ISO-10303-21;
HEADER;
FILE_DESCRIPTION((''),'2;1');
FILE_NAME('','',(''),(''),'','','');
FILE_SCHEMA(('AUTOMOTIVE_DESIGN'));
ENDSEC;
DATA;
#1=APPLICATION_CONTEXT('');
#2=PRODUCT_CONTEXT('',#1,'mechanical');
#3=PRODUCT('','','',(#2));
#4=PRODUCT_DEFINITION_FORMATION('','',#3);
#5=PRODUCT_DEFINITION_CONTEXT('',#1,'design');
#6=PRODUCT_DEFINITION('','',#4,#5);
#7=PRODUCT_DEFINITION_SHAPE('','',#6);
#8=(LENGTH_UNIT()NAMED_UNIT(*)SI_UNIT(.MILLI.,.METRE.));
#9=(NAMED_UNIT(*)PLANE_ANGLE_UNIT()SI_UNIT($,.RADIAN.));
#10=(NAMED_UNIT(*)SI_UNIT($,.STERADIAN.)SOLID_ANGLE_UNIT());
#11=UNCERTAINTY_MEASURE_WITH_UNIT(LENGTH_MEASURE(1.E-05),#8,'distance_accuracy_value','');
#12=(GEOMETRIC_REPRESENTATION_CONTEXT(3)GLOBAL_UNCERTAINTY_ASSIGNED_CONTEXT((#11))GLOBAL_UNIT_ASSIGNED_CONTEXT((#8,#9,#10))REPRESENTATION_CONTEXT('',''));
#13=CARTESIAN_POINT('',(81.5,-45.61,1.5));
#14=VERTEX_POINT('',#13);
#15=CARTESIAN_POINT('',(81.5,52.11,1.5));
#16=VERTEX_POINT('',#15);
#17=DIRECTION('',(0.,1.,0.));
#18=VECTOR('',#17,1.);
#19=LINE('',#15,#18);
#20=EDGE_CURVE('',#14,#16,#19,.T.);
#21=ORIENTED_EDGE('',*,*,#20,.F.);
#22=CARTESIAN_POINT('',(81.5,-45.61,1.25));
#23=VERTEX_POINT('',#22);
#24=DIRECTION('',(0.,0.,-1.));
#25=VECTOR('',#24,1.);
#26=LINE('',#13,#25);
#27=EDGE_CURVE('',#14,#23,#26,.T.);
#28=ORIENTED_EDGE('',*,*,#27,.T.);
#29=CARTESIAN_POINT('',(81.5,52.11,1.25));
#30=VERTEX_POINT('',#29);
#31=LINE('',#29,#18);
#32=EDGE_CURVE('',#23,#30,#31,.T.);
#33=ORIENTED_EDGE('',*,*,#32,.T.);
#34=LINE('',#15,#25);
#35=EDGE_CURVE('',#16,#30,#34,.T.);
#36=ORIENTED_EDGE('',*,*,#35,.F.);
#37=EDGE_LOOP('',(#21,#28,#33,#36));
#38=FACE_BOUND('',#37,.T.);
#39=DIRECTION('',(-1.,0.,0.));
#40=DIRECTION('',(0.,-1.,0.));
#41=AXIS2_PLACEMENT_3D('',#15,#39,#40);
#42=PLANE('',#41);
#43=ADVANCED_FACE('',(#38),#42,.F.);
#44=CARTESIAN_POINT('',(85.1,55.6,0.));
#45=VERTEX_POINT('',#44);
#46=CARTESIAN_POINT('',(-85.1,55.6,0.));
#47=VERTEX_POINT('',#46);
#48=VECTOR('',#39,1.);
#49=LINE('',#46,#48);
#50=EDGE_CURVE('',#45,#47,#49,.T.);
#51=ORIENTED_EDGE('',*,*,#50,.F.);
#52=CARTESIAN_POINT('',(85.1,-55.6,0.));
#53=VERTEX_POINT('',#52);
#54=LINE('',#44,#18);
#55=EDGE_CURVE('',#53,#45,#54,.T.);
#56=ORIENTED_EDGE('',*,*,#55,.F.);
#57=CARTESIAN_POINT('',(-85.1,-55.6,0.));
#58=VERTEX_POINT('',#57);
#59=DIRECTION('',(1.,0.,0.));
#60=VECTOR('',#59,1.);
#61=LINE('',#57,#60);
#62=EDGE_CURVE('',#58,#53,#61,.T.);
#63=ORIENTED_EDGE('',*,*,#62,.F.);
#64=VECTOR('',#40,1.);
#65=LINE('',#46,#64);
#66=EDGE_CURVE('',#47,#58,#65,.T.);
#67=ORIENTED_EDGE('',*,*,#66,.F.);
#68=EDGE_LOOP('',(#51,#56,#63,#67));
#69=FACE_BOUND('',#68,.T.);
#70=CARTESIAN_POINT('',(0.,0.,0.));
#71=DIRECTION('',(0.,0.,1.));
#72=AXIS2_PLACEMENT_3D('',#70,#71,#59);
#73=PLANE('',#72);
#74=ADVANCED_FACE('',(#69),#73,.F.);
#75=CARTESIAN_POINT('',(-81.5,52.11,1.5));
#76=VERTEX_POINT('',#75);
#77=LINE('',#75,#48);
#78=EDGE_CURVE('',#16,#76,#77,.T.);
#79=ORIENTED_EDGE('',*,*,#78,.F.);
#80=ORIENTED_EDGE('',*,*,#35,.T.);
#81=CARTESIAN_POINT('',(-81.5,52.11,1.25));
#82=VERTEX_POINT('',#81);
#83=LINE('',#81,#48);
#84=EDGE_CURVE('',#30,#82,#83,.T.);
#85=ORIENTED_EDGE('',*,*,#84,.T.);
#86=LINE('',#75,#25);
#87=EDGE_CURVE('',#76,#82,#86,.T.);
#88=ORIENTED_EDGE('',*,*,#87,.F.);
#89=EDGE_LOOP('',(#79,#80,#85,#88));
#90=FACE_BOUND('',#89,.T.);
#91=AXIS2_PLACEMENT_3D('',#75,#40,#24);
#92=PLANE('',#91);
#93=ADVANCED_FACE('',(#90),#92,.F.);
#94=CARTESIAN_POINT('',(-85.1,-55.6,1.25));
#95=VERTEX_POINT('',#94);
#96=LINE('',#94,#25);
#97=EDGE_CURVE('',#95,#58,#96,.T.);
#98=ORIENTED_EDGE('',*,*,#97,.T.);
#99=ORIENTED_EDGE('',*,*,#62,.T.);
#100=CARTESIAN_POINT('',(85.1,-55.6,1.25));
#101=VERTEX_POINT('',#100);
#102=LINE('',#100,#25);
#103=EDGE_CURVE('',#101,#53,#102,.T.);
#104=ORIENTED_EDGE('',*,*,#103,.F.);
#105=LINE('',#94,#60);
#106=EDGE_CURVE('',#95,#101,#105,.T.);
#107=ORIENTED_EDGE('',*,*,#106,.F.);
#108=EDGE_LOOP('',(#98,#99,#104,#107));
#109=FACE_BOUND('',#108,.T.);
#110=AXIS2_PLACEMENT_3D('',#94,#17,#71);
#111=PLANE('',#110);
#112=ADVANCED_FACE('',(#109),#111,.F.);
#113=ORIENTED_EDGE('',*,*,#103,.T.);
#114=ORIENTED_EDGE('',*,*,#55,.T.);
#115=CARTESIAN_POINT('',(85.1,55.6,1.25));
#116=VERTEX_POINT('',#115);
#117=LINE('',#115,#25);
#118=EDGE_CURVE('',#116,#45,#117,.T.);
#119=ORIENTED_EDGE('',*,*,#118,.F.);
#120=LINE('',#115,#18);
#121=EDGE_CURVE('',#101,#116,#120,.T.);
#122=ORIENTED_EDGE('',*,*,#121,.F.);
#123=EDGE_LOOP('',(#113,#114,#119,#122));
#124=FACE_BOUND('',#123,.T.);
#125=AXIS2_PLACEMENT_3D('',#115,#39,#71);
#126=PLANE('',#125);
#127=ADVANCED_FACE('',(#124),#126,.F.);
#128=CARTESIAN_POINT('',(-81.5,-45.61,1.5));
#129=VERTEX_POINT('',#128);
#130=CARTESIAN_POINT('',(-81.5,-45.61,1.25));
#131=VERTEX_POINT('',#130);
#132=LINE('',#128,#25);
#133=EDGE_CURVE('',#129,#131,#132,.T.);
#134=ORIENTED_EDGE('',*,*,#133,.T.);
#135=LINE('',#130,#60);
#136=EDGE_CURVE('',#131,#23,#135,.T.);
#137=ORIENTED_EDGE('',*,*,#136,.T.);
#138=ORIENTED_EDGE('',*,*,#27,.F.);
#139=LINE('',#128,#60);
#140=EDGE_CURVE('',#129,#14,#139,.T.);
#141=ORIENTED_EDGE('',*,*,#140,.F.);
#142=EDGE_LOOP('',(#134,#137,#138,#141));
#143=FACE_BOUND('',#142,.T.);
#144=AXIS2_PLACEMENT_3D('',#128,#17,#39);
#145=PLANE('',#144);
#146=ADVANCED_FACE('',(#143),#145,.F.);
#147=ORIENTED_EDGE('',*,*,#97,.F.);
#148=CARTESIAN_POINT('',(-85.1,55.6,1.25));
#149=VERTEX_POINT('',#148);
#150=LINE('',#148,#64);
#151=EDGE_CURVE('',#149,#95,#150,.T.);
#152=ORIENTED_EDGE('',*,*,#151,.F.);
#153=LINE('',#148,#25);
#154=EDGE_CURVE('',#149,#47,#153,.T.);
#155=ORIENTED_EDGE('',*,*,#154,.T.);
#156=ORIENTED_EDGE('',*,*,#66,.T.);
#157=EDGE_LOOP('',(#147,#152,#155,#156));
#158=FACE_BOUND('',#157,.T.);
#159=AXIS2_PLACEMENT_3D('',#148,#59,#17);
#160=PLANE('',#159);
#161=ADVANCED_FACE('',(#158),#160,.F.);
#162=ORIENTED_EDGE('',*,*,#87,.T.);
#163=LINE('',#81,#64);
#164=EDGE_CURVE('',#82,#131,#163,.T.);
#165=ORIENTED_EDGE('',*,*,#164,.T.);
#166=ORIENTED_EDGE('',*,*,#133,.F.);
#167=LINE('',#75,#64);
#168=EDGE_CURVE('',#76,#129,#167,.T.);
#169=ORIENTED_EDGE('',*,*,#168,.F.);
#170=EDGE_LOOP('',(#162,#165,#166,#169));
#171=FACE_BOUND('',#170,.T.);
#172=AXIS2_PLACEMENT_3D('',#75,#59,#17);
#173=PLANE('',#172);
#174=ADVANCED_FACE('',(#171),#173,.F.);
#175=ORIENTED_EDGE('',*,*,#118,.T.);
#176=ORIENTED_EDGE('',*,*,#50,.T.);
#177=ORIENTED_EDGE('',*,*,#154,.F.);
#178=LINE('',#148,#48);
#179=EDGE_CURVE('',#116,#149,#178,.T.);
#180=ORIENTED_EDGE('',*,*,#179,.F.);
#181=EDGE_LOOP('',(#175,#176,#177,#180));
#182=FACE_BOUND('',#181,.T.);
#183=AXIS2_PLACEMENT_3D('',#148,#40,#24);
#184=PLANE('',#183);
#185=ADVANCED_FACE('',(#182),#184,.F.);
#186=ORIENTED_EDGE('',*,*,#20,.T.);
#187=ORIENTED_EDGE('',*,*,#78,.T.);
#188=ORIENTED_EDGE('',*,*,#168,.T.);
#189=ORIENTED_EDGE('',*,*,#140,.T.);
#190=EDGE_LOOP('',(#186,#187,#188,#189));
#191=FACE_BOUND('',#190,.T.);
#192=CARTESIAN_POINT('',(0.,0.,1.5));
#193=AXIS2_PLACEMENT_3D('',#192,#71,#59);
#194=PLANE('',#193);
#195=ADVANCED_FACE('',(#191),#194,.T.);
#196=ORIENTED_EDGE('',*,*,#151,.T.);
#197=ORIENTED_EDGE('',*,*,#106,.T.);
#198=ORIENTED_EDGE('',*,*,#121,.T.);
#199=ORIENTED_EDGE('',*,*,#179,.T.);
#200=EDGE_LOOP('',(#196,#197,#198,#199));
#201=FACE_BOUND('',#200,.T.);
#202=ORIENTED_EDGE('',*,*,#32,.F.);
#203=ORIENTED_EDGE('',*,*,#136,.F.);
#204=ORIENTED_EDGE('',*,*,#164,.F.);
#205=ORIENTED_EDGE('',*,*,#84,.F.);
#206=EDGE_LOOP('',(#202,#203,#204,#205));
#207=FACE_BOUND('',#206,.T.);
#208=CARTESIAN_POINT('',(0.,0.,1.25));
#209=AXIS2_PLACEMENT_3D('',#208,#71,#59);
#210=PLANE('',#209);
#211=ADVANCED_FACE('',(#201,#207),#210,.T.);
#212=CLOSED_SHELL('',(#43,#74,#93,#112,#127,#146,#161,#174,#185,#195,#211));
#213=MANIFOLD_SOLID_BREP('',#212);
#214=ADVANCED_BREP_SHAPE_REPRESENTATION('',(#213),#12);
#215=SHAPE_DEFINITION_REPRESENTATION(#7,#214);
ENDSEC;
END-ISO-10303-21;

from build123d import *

# Parameters (mm, degrees)
SKETCH_1_W      = 170.2
SKETCH_1_H      = 111.2
EXTRUDE_1_DEPTH = 1.25
SKETCH_3_W      = 163
SKETCH_3_H      = 97.72
EXTRUDE_2_DEPTH = 0.25


with BuildPart() as part:
    # 草图1 → 凸台-拉伸1 (new body)
    with BuildSketch(Plane.XY):
        Rectangle(SKETCH_1_W, SKETCH_1_H)
    extrude(amount=EXTRUDE_1_DEPTH)

    # 草图3 → 凸台-拉伸2 (add)
    with BuildSketch(Plane.XY.offset(1.25)):
        with Locations((0, 3.25)):
            Rectangle(SKETCH_3_W, SKETCH_3_H)
    extrude(amount=EXTRUDE_2_DEPTH)


solid = part.part
